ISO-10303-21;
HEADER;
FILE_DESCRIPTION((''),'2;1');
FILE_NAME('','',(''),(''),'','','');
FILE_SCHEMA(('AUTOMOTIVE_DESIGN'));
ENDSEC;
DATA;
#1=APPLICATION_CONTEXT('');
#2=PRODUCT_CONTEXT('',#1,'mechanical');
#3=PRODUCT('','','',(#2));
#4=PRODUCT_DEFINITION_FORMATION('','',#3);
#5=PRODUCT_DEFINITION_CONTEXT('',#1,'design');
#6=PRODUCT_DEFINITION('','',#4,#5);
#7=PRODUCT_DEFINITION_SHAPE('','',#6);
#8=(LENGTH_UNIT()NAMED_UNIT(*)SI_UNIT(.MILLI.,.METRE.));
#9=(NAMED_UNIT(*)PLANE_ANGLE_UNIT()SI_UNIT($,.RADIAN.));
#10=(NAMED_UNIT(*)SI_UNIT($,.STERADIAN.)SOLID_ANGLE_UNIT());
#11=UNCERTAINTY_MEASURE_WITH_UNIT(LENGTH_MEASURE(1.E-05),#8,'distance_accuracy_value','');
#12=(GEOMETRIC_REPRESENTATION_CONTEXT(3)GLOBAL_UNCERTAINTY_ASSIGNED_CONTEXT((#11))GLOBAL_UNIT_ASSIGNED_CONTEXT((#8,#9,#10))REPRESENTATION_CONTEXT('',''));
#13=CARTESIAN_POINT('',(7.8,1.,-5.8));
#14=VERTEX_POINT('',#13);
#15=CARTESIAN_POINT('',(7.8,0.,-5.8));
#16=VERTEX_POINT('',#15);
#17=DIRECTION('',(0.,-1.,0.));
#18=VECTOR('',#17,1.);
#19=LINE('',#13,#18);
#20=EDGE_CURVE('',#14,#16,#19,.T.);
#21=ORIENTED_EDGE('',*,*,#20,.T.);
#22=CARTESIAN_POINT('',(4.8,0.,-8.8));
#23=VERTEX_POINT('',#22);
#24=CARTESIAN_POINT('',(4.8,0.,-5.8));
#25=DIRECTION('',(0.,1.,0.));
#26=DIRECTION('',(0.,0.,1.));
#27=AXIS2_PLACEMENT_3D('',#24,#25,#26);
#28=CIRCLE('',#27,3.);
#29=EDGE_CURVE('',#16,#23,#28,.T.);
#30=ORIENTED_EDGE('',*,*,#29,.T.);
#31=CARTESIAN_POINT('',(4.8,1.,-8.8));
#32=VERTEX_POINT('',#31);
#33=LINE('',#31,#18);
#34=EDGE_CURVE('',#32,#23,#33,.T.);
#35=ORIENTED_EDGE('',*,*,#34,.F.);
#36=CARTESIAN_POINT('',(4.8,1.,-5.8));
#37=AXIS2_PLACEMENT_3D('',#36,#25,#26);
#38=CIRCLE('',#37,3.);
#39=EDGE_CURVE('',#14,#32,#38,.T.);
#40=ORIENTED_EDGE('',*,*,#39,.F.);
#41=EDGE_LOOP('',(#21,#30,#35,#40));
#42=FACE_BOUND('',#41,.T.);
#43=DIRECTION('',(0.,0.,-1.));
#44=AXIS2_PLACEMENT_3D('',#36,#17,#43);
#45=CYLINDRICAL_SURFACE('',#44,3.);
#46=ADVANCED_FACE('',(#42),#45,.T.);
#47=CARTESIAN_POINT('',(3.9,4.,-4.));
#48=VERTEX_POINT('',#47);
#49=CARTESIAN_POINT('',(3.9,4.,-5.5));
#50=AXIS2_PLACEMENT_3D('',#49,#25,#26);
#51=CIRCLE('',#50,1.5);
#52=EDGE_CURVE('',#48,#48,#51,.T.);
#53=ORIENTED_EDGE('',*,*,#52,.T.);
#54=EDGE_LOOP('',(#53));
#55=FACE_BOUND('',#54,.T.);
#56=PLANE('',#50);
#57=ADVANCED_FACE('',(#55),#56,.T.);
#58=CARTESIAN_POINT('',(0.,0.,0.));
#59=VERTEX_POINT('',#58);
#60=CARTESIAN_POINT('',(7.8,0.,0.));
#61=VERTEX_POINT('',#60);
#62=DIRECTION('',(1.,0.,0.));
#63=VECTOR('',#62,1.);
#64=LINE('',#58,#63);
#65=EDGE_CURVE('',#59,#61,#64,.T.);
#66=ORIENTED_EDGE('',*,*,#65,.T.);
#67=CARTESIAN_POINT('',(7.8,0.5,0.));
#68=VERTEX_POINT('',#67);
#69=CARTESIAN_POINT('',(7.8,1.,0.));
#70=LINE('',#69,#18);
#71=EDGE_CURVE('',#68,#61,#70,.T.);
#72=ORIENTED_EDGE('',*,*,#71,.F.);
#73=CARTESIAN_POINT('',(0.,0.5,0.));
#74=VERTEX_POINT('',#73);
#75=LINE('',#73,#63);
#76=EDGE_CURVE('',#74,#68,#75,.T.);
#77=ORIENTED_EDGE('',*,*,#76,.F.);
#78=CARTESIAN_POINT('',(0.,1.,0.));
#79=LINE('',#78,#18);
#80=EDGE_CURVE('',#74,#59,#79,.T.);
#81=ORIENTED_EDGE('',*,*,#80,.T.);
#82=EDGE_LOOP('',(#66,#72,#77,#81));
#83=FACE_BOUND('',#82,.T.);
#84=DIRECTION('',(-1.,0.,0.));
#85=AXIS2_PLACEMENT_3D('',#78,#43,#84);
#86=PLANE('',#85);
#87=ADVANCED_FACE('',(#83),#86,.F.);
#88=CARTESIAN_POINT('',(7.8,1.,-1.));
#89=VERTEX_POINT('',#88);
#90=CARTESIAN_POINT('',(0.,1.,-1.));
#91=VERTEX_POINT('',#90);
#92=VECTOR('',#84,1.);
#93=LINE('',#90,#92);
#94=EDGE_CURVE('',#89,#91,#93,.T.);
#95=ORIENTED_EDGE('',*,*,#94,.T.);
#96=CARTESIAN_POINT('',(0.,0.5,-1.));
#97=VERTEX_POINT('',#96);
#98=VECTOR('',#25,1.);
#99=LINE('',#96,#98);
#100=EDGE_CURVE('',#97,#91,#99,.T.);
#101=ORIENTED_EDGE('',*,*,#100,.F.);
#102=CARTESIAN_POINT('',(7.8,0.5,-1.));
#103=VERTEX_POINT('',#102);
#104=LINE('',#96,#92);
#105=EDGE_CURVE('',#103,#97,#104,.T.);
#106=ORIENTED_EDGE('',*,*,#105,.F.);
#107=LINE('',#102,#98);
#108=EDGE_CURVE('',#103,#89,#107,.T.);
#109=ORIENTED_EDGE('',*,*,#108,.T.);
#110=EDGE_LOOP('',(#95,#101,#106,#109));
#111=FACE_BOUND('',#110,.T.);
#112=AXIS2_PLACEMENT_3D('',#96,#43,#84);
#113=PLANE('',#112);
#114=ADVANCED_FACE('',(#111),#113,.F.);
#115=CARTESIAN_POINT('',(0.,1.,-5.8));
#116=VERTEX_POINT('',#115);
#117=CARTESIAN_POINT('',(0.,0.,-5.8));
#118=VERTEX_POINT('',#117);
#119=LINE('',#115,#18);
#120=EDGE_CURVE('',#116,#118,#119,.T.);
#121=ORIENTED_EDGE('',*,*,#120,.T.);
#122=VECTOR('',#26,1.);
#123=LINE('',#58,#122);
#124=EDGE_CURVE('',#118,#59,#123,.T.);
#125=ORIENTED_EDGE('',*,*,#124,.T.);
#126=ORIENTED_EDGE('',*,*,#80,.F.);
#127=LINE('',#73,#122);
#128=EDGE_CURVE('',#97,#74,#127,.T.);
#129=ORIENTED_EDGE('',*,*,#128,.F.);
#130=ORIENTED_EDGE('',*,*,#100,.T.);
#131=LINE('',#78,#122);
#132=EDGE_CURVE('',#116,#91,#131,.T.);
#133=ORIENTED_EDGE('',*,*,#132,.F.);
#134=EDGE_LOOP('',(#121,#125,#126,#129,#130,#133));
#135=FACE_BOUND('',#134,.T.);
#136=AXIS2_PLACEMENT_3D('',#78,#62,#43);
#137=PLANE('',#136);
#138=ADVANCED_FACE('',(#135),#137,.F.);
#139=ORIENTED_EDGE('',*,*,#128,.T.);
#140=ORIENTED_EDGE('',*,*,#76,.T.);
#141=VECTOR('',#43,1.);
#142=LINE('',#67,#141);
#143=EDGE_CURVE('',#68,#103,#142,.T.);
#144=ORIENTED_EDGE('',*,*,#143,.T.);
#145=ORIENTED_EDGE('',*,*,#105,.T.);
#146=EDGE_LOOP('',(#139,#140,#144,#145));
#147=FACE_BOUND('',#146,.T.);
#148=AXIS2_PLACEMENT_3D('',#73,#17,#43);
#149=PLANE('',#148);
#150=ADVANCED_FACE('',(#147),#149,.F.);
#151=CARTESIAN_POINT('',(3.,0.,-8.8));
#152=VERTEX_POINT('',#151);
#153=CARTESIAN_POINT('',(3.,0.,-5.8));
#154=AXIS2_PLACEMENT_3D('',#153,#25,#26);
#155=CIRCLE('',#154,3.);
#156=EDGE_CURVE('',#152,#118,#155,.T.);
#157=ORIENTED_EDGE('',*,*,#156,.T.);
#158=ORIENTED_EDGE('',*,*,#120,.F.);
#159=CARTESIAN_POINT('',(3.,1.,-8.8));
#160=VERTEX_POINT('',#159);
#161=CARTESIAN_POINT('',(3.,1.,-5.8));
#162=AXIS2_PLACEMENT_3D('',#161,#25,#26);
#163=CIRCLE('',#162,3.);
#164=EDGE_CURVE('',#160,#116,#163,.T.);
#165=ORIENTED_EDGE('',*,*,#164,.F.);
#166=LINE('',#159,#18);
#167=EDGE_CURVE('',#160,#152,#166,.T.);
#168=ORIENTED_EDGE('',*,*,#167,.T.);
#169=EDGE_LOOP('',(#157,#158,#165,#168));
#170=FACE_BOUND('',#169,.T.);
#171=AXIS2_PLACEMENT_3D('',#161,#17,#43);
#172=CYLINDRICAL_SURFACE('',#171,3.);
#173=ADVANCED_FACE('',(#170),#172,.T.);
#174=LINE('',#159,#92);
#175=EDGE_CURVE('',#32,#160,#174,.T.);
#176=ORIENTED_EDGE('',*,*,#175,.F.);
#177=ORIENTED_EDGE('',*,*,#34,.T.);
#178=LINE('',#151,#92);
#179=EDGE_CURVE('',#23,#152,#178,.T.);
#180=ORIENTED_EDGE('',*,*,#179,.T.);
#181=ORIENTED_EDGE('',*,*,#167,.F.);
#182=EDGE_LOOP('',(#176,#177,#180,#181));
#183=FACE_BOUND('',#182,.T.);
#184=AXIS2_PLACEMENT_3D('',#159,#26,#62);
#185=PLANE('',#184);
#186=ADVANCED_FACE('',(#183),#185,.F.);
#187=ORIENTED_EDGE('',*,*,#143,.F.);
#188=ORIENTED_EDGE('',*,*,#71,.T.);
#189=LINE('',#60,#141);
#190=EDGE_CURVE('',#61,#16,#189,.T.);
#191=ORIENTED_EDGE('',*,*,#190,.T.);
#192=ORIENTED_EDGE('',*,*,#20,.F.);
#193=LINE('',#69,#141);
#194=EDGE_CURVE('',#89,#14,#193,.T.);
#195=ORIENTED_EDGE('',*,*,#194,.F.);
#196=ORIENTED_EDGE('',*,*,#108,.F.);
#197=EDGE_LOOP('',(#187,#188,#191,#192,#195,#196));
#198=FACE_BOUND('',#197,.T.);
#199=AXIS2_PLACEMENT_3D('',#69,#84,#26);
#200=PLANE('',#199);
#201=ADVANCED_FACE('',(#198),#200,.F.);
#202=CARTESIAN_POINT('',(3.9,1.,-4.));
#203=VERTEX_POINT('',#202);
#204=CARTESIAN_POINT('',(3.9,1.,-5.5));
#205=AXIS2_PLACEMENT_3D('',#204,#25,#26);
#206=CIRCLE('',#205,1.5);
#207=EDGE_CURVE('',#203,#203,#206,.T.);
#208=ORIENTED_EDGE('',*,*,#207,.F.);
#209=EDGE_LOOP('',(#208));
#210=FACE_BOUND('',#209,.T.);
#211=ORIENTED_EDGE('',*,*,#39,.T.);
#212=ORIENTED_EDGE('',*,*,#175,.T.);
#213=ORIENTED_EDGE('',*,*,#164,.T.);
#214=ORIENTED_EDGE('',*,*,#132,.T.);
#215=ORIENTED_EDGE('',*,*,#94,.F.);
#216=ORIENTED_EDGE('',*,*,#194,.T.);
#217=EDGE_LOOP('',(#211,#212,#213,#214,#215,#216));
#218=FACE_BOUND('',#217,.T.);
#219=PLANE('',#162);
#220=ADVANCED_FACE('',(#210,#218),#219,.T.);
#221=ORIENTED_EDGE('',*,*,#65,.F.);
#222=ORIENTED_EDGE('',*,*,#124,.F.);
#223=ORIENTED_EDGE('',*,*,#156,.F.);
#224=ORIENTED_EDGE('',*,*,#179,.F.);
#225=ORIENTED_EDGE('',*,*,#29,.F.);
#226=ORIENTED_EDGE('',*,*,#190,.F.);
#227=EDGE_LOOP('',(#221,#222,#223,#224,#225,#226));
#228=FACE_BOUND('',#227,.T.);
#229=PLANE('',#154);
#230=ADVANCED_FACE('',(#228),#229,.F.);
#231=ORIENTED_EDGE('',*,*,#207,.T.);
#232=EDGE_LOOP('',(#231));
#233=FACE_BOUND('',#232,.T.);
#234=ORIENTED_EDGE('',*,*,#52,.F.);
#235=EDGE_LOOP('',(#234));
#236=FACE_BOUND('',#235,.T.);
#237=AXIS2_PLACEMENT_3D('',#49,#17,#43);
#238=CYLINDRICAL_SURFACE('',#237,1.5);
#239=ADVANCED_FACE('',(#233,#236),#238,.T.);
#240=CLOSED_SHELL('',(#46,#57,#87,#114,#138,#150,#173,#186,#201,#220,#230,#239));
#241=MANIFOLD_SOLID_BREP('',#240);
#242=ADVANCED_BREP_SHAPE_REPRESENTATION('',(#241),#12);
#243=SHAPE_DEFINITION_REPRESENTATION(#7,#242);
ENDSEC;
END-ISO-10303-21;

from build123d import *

# Parameters (mm, degrees)
BOSS_EXTRUDE1_DEPTH = 1
SKETCH2_R           = 1.5
BOSS_EXTRUDE2_DEPTH = 3
SKETCH3_W           = 7.8
SKETCH3_H           = 1
CUT_EXTRUDE1_DEPTH  = 0.5


with BuildPart() as part:
    # Sketch1 → Boss-Extrude1 (new body)
    with BuildSketch(Plane(origin=(0, 0, 0), x_dir=(1, 0, 0), z_dir=(0, 1, 0))):
        with BuildLine():
            Line((0, 0), (7.8, 0))
            Line((7.8, 0), (7.8, 5.8))
            ThreePointArc((7.8, 5.8), (6.921320344, 7.921320344), (4.8, 8.8))
            Line((4.8, 8.8), (3, 8.8))
            ThreePointArc((3, 8.8), (0.878679656, 7.921320344), (0, 5.8))
            Line((0, 5.8), (0, 0))
        make_face()
    extrude(amount=BOSS_EXTRUDE1_DEPTH)

    # Sketch2 → Boss-Extrude2 (add)
    with BuildSketch(Plane(origin=(0, 1, 0), x_dir=(1, 0, 0), z_dir=(0, 1, 0))):
        with Locations((3.9, 5.5)):
            Circle(SKETCH2_R)
    extrude(amount=BOSS_EXTRUDE2_DEPTH)

    # Sketch3 → Cut-Extrude1 (cut)
    with BuildSketch(Plane(origin=(0, 1, 0), x_dir=(1, 0, 0), z_dir=(0, 1, 0))):
        with Locations((3.9, 0.5)):
            Rectangle(SKETCH3_W, SKETCH3_H)
    extrude(amount=-CUT_EXTRUDE1_DEPTH, mode=Mode.SUBTRACT)


solid = part.part
